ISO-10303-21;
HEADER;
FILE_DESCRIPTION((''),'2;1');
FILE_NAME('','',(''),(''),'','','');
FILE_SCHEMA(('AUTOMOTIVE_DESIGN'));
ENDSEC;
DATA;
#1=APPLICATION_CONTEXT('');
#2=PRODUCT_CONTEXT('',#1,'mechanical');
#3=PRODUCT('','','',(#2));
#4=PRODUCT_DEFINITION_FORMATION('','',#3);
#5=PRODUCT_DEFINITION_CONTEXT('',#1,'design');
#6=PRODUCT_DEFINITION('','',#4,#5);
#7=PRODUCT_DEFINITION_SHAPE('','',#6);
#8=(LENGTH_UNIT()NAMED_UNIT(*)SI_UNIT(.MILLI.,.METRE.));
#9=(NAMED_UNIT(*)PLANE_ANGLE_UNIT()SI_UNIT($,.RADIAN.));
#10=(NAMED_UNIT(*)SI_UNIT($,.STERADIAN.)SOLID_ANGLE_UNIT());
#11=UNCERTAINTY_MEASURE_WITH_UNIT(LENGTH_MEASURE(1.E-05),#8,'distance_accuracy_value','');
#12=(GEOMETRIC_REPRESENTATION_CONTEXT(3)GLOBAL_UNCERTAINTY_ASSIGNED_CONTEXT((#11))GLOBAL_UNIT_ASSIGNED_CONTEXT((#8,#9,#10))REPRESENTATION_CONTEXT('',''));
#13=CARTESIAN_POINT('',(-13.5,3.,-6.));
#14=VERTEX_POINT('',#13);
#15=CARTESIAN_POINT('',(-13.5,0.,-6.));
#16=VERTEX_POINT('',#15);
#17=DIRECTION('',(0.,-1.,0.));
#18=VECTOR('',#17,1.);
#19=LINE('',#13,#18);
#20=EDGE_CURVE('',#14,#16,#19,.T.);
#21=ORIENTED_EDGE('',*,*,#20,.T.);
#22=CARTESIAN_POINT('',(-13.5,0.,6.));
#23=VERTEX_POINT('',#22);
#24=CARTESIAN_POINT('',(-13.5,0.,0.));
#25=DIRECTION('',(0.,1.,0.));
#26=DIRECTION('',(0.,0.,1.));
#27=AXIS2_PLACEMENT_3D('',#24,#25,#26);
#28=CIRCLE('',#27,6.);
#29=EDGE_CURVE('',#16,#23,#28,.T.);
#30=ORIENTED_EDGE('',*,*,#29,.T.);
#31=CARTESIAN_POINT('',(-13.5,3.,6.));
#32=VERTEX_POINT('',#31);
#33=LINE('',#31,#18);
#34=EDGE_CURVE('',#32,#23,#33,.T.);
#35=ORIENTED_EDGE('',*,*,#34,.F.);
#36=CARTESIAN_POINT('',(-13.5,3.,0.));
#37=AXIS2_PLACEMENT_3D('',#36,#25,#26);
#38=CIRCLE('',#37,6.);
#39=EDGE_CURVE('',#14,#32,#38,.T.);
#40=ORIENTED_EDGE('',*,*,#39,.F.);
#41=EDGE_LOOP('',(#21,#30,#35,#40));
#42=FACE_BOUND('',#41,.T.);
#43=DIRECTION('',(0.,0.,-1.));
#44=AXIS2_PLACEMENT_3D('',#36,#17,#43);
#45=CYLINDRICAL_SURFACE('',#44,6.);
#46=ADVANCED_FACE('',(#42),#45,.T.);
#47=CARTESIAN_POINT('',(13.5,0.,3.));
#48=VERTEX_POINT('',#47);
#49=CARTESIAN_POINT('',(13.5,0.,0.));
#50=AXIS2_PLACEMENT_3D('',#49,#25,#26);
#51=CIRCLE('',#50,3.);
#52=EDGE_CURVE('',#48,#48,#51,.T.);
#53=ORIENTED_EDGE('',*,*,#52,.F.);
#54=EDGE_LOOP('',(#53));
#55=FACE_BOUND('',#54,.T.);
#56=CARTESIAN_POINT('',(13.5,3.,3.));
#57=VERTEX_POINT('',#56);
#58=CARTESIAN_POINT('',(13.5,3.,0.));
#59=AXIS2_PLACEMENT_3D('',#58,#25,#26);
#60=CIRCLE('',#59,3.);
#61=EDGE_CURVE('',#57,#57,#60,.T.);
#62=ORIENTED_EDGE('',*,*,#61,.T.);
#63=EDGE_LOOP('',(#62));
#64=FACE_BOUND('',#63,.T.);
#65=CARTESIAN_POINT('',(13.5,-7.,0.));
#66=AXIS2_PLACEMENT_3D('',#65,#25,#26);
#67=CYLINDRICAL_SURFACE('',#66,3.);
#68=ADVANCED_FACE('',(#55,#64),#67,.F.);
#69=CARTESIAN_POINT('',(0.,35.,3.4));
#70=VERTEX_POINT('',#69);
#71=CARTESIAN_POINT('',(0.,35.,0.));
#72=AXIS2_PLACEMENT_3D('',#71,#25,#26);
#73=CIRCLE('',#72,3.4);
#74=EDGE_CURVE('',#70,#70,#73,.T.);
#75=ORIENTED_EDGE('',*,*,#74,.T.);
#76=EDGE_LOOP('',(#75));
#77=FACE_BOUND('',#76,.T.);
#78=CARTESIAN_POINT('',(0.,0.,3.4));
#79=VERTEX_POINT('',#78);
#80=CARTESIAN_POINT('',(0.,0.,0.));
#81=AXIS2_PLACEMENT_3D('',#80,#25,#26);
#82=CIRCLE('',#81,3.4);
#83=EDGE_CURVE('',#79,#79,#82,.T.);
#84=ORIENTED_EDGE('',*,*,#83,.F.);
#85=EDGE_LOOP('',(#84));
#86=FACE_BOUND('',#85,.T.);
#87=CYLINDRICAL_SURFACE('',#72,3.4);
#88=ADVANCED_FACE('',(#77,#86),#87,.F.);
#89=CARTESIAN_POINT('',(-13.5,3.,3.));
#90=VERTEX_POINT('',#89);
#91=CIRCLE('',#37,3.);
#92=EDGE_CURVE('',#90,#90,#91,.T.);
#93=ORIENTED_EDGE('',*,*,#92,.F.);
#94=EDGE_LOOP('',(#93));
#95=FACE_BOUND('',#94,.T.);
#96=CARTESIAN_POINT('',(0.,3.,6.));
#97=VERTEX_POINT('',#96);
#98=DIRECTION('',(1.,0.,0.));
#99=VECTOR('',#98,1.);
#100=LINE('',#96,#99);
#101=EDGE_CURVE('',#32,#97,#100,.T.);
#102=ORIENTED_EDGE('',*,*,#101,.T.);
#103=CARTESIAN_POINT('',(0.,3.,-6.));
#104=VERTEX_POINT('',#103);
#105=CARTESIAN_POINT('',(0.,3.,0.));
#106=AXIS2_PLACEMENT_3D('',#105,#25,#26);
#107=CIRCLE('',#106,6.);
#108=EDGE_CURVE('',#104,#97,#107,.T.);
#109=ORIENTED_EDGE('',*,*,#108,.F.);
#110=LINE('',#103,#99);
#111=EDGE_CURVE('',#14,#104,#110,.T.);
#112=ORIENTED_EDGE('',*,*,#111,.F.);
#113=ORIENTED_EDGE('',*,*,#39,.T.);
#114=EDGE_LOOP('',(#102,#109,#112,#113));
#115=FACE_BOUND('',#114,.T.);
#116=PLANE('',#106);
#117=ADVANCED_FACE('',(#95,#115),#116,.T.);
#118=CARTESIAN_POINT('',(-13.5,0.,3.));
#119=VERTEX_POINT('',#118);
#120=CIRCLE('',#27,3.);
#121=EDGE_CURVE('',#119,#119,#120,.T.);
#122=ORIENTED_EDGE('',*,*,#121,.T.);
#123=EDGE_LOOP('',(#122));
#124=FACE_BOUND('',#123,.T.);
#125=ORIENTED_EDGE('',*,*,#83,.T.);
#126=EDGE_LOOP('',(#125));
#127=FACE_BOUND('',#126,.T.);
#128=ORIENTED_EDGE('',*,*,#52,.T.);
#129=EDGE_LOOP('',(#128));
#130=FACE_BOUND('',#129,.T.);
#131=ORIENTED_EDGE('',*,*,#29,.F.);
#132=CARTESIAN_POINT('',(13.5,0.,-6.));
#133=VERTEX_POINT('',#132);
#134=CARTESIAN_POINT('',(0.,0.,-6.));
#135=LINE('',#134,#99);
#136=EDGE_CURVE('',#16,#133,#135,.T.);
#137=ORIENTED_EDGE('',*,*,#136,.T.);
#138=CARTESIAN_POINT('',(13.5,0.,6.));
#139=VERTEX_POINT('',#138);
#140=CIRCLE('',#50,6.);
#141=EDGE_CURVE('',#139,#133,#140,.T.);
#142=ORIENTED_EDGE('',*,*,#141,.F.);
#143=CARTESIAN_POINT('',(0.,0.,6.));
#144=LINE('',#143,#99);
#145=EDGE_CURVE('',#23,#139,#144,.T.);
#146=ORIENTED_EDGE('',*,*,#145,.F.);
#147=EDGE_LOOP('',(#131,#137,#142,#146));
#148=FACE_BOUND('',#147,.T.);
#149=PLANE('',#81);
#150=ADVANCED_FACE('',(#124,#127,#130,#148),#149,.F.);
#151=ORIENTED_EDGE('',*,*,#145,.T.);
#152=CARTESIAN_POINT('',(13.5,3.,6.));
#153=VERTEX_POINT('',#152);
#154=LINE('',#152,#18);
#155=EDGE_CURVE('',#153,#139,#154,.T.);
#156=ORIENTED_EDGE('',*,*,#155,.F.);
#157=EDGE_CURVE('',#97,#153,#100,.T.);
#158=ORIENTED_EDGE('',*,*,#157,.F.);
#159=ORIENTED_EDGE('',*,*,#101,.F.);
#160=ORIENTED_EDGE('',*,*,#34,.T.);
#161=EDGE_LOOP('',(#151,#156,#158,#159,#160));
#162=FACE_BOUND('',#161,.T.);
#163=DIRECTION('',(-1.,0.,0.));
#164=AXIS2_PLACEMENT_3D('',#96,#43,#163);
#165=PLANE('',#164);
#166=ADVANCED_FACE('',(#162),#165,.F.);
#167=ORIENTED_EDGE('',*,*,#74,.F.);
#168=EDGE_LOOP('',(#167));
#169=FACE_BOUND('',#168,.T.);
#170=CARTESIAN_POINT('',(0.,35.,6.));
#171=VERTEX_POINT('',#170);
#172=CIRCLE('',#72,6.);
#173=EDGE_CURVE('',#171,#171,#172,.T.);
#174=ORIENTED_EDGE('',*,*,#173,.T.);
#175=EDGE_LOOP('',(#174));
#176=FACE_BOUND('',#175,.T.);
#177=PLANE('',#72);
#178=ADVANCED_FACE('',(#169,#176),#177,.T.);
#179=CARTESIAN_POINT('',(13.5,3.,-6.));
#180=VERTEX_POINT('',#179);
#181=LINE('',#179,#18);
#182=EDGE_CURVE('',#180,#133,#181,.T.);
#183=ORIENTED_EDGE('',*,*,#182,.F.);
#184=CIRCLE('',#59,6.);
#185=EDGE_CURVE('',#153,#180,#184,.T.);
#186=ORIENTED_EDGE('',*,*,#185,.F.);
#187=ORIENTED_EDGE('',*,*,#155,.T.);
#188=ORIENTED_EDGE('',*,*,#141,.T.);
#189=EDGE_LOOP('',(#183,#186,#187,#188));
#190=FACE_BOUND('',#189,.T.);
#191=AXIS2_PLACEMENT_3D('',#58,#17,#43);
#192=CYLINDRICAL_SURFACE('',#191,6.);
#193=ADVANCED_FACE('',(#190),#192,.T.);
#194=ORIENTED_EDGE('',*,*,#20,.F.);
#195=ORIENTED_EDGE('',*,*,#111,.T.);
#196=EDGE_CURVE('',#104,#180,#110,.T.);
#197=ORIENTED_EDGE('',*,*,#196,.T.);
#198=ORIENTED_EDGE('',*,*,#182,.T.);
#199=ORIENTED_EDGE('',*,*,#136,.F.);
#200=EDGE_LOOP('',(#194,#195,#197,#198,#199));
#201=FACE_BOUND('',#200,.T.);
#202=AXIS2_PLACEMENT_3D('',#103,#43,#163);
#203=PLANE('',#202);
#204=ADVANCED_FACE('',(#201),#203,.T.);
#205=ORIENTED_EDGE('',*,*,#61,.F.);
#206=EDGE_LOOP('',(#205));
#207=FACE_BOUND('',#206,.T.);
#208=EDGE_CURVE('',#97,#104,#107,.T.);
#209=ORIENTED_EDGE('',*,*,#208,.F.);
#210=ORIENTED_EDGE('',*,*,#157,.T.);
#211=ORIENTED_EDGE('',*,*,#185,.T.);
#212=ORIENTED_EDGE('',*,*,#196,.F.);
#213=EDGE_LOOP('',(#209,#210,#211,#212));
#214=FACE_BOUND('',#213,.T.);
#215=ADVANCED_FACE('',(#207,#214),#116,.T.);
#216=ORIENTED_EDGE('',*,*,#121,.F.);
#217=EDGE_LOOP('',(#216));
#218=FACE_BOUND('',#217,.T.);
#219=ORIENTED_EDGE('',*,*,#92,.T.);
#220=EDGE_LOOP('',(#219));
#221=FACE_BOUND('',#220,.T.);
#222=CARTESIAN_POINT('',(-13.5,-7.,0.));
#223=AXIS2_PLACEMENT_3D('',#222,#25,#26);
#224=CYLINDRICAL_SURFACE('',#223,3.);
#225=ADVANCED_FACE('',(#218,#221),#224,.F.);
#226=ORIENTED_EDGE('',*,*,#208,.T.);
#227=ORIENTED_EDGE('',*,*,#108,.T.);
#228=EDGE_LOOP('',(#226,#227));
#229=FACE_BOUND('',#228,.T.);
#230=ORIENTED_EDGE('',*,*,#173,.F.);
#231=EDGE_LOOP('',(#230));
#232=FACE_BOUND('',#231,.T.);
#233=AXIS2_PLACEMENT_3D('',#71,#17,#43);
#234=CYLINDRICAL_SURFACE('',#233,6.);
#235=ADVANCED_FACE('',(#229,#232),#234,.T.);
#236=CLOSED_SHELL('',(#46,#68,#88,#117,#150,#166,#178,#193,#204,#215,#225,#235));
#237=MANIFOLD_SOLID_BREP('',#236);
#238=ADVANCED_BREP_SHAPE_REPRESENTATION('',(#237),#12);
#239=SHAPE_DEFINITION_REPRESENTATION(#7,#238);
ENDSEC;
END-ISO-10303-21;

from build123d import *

# Parameters (mm, degrees)
SKETCH_1_R          = 6
EXTRUDE_1_DEPTH     = 3
SKETCH_2_R          = 6
EXTRUDE_2_DEPTH     = 32
HOLE_WIZARD_M8_1_D  = 6.8
SKETCH_6_R          = 3
CUT_EXTRUDE_1_DEPTH = 10


with BuildPart() as part:
    # 草图1 → 凸台-拉伸1 (new body)
    with BuildSketch(Plane(origin=(0, 0, 0), x_dir=(1, 0, 0), z_dir=(0, 1, 0))):
        with Locations((-13.5, 0)):
            Circle(SKETCH_1_R)
        with BuildLine():
            Line((13.5, 6), (-13.5, 6))
            ThreePointArc((-13.5, 6), (-9.257359313, 4.242640687), (-7.5, 0))
            ThreePointArc((-7.5, 0), (-9.257359313, -4.242640687), (-13.5, -6))
            Line((-13.5, -6), (13.5, -6))
            ThreePointArc((13.5, -6), (7.5, 0), (13.5, 6))
        make_face()
        with Locations((13.5, 0)):
            Circle(SKETCH_1_R)
    extrude(amount=EXTRUDE_1_DEPTH)

    # 草图2 → 凸台-拉伸2 (add)
    with BuildSketch(Plane(origin=(0, 3, 0), x_dir=(1, 0, 0), z_dir=(0, 1, 0))):
        Circle(SKETCH_2_R)
    extrude(amount=EXTRUDE_2_DEPTH)

    # M8 螺纹孔1 (through all)
    with Locations(Plane(origin=(0, 35, 0), x_dir=(1, 0, 0), z_dir=(0, 1, 0))):
        with Locations((0, 0)):
            Hole(HOLE_WIZARD_M8_1_D / 2)

    # 草图6 → 切除-拉伸1 (cut)
    with BuildSketch(Plane(origin=(0, 3, 0), x_dir=(1, 0, 0), z_dir=(0, 1, 0))):
        with Locations((-13.5, 0)):
            Circle(SKETCH_6_R)
        with Locations((13.5, 0)):
            Circle(SKETCH_6_R)
    extrude(amount=-CUT_EXTRUDE_1_DEPTH, mode=Mode.SUBTRACT)


solid = part.part
